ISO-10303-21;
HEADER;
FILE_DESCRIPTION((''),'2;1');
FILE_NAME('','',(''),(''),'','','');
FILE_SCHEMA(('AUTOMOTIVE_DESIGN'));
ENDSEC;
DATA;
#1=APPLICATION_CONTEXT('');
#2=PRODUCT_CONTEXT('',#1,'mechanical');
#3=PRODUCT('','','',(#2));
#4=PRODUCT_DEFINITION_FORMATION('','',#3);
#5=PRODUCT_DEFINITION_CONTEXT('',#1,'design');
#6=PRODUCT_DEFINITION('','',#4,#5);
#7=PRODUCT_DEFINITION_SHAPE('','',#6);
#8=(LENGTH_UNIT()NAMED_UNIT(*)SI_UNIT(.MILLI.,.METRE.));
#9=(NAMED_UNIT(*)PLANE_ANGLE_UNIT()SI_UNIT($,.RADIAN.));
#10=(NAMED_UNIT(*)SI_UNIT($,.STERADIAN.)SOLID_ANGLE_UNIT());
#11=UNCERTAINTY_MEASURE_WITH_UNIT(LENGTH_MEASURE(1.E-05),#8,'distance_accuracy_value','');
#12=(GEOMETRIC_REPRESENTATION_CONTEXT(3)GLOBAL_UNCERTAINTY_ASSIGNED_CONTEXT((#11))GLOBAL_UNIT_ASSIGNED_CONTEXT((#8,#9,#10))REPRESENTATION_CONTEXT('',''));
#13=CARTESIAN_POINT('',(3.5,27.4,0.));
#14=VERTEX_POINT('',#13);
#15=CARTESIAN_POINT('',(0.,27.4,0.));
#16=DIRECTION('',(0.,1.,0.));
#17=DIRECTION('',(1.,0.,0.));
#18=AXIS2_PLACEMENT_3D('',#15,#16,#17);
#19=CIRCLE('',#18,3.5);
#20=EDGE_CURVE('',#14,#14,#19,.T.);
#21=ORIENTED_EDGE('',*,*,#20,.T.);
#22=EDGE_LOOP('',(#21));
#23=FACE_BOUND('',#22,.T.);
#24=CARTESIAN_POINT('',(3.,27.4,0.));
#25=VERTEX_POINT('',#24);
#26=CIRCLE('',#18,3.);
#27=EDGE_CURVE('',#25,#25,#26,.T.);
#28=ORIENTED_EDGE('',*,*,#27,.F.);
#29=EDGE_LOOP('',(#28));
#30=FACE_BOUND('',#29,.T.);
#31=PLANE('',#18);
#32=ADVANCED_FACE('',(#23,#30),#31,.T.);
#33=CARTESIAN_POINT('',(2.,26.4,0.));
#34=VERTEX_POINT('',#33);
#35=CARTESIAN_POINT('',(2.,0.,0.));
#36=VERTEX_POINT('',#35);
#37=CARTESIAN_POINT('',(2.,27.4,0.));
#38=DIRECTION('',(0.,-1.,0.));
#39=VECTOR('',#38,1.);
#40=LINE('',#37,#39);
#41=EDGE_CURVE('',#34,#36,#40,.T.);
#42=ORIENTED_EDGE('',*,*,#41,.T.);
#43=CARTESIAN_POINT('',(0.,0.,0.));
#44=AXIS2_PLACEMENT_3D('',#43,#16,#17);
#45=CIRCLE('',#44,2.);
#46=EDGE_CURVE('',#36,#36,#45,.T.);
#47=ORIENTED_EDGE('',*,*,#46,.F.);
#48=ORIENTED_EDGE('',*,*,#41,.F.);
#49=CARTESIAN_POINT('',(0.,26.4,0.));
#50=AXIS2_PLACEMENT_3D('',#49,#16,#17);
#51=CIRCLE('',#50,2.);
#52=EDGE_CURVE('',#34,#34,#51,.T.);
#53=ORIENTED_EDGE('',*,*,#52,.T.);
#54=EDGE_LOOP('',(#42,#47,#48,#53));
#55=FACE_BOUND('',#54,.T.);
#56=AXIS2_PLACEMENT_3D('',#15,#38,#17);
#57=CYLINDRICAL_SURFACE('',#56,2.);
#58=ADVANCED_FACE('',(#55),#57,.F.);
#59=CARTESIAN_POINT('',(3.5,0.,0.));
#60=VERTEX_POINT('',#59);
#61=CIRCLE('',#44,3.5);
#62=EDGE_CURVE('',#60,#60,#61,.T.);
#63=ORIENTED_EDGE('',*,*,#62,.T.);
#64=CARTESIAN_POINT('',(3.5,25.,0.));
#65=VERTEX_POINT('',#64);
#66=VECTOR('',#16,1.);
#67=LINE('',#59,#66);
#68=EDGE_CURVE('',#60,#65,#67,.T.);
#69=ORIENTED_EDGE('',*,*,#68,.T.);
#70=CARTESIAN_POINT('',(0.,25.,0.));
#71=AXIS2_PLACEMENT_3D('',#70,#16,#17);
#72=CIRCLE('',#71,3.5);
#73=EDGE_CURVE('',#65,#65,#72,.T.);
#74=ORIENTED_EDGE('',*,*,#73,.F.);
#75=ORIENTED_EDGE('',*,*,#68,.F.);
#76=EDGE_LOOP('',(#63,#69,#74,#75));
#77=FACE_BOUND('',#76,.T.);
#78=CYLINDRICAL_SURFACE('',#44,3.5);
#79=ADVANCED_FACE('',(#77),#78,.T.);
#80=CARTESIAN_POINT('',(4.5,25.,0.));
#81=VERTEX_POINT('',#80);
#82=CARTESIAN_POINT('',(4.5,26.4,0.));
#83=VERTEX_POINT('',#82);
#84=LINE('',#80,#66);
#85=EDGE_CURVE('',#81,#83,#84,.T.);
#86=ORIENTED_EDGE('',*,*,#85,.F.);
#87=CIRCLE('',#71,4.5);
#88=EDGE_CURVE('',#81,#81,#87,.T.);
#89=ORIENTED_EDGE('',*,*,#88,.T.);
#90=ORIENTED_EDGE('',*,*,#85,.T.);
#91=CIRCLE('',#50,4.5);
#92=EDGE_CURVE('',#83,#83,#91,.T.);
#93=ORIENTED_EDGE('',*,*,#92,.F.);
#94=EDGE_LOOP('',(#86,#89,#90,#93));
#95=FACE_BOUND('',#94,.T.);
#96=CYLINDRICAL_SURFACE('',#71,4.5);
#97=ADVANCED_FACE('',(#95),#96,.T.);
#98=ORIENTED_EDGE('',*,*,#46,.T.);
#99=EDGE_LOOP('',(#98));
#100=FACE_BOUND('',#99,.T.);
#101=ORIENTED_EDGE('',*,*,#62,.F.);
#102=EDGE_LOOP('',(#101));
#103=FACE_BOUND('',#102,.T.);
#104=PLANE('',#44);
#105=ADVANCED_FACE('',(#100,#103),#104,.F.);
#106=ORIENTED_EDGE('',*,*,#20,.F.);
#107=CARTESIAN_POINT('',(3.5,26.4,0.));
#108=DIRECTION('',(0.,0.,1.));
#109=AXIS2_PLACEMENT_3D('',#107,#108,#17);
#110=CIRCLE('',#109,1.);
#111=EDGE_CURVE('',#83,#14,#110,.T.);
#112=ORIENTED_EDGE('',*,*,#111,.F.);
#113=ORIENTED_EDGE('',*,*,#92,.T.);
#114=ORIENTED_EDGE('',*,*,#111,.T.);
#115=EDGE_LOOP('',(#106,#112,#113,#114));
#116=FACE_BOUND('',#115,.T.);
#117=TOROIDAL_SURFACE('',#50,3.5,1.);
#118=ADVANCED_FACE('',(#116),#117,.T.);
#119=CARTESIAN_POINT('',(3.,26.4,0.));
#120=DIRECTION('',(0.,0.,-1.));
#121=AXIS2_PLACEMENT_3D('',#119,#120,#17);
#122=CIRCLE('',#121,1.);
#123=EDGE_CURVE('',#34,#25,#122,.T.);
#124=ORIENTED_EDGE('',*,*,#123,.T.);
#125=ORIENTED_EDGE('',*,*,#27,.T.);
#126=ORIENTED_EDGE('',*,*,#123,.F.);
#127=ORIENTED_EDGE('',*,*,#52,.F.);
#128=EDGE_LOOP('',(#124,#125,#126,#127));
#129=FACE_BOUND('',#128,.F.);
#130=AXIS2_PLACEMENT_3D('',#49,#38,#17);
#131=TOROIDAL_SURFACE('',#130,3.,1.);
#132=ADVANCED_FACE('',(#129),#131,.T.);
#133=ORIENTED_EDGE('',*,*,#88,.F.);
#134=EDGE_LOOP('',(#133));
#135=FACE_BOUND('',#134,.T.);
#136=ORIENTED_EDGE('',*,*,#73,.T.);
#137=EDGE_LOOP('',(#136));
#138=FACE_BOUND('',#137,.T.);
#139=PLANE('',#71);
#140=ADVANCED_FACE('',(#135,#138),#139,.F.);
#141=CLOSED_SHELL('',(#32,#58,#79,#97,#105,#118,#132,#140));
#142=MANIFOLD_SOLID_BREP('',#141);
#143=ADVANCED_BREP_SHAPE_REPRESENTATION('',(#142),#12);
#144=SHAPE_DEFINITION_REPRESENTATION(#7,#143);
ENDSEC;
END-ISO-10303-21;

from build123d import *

# Parameters (mm, degrees)
F2_R = 1


with BuildPart() as f1:
    # F0 (on Top) → F1 (revolve)
    with BuildSketch(Plane.XY):
        Polygon((2, 27.4), (2, 0), (3.5, 0), (3.5, 25), (4.5, 25), (4.5, 27.4), align=None)
    revolve(axis=Axis((0, 13.997055, 0), (0, 1, 0)))

    # F2
    f2_edges = [f1.edges().sort_by_distance(p)[0] for p in [
        (-4.5, 27.4, 0),
        (-2, 27.4, 0),
    ]]
    fillet(f2_edges, radius=F2_R)


solid = f1.part
